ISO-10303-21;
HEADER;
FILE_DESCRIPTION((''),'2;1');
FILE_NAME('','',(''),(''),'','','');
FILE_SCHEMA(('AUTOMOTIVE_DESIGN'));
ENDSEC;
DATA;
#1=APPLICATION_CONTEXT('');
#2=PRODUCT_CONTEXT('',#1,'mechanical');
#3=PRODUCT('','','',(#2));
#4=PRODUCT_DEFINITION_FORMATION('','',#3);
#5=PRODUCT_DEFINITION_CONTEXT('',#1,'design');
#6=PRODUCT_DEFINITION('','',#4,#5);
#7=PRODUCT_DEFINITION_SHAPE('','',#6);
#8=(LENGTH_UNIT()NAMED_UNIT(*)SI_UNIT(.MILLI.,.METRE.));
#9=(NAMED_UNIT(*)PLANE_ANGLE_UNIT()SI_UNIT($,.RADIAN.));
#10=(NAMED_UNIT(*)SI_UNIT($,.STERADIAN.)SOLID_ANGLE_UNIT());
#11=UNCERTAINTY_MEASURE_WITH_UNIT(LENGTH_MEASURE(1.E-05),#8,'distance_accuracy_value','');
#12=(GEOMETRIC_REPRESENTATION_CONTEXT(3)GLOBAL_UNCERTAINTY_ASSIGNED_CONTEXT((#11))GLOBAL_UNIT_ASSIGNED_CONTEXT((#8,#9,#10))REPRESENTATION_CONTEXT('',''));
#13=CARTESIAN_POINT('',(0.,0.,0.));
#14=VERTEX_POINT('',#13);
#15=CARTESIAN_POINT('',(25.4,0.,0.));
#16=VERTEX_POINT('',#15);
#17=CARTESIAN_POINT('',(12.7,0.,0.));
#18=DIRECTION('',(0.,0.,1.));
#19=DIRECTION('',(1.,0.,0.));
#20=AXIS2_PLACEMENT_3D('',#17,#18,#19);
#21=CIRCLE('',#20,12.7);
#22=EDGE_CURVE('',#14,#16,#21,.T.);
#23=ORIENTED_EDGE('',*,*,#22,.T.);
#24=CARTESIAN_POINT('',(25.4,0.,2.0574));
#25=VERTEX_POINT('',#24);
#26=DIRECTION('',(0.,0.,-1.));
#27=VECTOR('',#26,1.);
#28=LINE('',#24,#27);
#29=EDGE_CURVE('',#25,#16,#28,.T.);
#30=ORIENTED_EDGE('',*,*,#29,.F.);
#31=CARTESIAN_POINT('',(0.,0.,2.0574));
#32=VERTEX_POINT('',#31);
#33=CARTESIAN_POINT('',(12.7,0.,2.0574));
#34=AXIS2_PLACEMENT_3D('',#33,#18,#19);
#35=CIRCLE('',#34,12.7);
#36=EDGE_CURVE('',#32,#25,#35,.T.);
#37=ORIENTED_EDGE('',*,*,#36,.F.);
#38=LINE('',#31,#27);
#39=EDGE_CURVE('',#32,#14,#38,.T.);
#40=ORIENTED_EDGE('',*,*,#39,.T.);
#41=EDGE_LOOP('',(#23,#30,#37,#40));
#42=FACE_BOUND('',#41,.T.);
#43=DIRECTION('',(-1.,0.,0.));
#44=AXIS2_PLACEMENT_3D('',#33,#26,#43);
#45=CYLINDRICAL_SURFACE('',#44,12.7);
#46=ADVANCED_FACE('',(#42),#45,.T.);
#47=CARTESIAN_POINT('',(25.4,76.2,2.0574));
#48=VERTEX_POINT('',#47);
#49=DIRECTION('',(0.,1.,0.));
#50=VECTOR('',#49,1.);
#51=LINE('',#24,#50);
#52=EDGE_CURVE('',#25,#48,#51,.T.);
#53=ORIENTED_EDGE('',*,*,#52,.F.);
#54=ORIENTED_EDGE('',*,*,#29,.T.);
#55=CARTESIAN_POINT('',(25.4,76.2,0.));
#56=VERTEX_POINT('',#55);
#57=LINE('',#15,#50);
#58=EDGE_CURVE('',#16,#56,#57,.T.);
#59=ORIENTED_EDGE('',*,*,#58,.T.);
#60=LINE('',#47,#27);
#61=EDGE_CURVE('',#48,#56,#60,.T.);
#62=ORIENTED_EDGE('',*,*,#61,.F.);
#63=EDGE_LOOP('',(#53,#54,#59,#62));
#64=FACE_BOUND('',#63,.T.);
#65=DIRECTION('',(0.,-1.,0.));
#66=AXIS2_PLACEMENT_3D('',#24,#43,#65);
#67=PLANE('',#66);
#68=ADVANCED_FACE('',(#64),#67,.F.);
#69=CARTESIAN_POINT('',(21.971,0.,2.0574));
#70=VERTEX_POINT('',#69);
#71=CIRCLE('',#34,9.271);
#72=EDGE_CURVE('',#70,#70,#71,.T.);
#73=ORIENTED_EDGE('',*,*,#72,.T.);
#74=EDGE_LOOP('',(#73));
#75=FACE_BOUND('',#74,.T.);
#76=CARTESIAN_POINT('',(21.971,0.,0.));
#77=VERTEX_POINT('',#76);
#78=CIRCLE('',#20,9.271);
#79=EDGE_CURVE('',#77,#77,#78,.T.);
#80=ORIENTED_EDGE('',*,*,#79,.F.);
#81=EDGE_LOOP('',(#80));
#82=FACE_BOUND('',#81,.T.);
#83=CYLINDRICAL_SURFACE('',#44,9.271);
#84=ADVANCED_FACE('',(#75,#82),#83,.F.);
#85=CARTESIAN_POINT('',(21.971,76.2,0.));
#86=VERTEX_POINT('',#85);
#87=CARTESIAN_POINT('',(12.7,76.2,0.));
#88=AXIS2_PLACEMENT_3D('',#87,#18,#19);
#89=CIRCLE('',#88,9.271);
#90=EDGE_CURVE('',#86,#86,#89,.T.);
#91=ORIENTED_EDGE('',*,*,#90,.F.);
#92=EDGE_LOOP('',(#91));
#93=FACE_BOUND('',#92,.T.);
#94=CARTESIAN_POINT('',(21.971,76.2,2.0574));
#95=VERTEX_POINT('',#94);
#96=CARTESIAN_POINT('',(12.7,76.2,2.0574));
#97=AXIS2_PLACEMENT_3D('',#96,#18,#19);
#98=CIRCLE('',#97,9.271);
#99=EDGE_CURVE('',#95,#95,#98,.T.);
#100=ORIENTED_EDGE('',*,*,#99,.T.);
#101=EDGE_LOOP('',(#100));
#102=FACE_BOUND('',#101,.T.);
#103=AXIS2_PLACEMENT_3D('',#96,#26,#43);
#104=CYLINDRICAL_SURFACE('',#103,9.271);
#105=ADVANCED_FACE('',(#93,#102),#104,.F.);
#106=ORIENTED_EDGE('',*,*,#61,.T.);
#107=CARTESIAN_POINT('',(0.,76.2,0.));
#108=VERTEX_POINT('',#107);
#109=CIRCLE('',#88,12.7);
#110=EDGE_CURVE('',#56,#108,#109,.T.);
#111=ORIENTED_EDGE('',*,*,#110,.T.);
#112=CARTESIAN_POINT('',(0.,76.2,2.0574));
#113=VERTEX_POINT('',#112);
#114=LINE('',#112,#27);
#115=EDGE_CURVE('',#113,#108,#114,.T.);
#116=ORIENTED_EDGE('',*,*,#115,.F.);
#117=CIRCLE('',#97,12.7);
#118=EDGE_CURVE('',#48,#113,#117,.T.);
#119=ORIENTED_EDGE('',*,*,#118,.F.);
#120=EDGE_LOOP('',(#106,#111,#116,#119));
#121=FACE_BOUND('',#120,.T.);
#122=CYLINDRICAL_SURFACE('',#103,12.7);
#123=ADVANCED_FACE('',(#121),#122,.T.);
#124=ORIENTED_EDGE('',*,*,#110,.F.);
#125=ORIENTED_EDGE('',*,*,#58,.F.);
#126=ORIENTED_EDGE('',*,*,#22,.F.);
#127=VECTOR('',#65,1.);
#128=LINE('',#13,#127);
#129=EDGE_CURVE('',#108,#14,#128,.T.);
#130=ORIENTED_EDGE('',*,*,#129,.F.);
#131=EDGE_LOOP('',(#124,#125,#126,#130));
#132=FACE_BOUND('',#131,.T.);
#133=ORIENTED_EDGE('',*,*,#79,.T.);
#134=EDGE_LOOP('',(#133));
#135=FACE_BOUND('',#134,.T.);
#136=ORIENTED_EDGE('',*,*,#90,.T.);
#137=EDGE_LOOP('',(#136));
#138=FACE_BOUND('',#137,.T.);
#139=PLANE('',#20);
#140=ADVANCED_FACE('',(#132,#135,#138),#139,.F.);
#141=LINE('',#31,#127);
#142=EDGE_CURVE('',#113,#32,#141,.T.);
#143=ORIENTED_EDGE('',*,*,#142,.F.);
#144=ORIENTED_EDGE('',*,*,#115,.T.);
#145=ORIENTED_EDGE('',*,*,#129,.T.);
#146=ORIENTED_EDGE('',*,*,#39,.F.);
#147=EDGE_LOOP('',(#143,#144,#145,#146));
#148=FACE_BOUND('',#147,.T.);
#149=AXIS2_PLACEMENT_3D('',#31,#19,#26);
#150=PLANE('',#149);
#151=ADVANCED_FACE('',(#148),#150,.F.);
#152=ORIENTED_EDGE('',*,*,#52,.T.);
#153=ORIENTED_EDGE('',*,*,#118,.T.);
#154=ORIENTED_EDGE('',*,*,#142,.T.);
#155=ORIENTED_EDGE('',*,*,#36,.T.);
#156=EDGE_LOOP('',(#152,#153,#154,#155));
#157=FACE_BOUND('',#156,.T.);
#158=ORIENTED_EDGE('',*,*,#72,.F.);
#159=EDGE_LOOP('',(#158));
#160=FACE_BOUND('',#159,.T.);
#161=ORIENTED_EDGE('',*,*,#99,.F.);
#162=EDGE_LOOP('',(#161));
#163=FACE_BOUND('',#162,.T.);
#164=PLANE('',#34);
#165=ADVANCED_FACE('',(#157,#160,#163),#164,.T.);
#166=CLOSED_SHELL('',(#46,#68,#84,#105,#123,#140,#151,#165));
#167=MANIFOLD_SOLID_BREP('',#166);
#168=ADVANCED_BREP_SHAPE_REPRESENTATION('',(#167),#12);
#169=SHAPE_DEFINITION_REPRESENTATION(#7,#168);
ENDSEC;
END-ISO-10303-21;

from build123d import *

# Parameters (mm, degrees)
SKETCH1_R           = 9.271
BOSS_EXTRUDE1_DEPTH = 2.0574


with BuildPart() as part:
    # Sketch1 → Boss-Extrude1 (new body)
    with BuildSketch(Plane.XY):
        with BuildLine():
            Line((0, 0), (0, 76.2))
            ThreePointArc((0, 76.2), (12.7, 88.9), (25.4, 76.2))
            Line((25.4, 76.2), (25.4, 0))
            ThreePointArc((25.4, 0), (12.7, -12.7), (0, 0))
        make_face()
        with Locations((12.7, 76.2)):
            Circle(SKETCH1_R, mode=Mode.SUBTRACT)
        with Locations((12.7, 0)):
            Circle(SKETCH1_R, mode=Mode.SUBTRACT)
    extrude(amount=BOSS_EXTRUDE1_DEPTH)


solid = part.part
